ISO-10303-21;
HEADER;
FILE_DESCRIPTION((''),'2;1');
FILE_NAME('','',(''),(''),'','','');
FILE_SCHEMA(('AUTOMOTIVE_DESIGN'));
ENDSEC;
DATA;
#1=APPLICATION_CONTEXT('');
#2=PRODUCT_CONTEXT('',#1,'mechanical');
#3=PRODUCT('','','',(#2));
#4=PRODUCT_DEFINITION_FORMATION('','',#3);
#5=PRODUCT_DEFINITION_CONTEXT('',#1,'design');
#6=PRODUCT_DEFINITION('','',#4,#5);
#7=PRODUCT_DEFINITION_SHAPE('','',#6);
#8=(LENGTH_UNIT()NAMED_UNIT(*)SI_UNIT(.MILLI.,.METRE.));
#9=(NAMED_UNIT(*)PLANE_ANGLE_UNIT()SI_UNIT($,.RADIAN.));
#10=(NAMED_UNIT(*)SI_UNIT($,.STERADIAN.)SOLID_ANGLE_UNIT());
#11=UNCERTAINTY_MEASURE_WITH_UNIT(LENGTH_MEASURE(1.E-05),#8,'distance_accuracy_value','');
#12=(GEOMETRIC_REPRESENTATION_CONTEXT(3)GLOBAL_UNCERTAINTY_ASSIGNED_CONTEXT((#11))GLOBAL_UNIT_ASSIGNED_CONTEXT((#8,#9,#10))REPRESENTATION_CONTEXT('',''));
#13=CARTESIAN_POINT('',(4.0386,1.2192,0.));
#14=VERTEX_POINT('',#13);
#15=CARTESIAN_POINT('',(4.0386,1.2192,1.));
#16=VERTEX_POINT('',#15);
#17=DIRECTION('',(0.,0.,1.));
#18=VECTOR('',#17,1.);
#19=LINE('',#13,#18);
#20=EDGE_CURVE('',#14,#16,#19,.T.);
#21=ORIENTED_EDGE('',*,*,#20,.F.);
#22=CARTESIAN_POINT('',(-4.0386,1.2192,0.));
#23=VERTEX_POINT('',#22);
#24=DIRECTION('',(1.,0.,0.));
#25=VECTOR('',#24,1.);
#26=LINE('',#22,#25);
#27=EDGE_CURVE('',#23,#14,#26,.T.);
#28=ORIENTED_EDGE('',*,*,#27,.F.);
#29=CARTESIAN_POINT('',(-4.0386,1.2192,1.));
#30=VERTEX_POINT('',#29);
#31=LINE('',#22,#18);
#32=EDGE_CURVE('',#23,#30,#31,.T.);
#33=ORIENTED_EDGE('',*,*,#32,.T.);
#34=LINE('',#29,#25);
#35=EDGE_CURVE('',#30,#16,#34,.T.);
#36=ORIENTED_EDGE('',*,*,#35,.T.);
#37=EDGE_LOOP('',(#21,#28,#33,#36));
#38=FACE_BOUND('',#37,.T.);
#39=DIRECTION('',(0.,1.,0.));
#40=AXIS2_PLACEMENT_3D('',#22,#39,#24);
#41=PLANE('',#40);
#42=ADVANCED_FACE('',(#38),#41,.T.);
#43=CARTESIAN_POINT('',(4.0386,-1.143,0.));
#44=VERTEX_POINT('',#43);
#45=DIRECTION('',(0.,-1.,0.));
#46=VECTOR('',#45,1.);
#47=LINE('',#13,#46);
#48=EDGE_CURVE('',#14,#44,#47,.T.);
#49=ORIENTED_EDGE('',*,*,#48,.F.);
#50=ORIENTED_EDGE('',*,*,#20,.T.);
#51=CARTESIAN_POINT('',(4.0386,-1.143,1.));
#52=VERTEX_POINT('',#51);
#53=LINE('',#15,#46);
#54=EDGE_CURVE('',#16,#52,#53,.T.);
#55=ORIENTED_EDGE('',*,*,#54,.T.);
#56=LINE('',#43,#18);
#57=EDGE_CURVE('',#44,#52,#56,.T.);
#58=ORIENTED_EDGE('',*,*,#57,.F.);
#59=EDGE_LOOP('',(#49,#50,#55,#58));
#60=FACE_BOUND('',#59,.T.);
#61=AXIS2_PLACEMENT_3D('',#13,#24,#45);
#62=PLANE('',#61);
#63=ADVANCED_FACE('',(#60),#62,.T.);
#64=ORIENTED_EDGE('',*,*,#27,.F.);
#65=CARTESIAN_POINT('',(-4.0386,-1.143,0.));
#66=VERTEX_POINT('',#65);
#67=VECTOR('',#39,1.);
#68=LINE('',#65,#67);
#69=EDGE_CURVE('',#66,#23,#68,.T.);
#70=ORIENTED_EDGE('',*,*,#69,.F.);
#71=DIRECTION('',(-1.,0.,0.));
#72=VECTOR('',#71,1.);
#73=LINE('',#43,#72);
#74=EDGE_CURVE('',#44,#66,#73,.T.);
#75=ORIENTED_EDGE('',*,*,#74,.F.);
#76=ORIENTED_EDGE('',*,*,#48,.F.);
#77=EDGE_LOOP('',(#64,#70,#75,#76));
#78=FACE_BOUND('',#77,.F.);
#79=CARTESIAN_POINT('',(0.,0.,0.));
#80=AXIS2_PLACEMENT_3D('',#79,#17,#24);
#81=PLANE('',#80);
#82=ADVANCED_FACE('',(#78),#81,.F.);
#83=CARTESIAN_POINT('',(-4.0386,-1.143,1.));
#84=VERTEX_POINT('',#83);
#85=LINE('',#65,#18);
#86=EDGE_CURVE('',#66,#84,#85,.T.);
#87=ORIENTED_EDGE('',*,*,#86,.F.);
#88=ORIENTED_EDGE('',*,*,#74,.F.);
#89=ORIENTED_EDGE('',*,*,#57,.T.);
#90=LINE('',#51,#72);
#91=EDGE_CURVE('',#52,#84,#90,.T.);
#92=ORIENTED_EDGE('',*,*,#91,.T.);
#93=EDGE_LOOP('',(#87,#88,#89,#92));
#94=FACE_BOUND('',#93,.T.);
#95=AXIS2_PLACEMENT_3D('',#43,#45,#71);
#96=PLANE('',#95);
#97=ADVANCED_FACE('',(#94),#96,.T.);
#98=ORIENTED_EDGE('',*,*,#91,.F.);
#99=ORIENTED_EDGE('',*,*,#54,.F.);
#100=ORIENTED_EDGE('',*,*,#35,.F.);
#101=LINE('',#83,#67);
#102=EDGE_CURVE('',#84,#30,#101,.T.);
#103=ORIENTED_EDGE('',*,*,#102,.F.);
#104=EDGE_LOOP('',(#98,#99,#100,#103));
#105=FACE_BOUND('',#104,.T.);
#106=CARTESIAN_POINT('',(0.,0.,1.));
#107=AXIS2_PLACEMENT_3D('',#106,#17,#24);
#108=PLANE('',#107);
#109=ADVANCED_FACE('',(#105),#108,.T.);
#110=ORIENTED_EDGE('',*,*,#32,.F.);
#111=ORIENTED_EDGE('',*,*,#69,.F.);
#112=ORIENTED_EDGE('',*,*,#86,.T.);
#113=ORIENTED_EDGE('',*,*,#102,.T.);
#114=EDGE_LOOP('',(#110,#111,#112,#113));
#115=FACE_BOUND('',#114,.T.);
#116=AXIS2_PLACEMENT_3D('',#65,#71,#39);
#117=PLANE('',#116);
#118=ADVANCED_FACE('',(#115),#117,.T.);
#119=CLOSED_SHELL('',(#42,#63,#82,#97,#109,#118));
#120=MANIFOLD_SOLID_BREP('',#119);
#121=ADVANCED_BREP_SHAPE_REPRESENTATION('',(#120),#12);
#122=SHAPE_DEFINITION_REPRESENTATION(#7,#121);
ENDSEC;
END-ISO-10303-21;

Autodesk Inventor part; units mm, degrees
ref_plane "YZ Plane" through (0, 0, 0) normal (1, 0, 0) x (0, 1, 0)
ref_plane "XZ Plane" through (0, 0, 0) normal (0, 1, 0) x (-1, 0, 0)
ref_plane "XY Plane" through (0, 0, 0) normal (0, 0, 1) x (1, 0, 0)
sketch "0207_9, 10K_50" plane through (0, 0, 0) normal (0, 0, 1) x (1, 0, 0)
  line L0 (-4.0386, 1.2192) -> (4.0386, 1.2192)
  line L1 (4.0386, 1.2192) -> (4.0386, -1.143)
  line L2 (4.0386, -1.143) -> (-4.0386, -1.143)
  line L3 (-4.0386, -1.143) -> (-4.0386, 1.2192)
extrude "Extrusion1" add sketch "0207_9, 10K_50" along normal blind 1
properties part number "10K"
